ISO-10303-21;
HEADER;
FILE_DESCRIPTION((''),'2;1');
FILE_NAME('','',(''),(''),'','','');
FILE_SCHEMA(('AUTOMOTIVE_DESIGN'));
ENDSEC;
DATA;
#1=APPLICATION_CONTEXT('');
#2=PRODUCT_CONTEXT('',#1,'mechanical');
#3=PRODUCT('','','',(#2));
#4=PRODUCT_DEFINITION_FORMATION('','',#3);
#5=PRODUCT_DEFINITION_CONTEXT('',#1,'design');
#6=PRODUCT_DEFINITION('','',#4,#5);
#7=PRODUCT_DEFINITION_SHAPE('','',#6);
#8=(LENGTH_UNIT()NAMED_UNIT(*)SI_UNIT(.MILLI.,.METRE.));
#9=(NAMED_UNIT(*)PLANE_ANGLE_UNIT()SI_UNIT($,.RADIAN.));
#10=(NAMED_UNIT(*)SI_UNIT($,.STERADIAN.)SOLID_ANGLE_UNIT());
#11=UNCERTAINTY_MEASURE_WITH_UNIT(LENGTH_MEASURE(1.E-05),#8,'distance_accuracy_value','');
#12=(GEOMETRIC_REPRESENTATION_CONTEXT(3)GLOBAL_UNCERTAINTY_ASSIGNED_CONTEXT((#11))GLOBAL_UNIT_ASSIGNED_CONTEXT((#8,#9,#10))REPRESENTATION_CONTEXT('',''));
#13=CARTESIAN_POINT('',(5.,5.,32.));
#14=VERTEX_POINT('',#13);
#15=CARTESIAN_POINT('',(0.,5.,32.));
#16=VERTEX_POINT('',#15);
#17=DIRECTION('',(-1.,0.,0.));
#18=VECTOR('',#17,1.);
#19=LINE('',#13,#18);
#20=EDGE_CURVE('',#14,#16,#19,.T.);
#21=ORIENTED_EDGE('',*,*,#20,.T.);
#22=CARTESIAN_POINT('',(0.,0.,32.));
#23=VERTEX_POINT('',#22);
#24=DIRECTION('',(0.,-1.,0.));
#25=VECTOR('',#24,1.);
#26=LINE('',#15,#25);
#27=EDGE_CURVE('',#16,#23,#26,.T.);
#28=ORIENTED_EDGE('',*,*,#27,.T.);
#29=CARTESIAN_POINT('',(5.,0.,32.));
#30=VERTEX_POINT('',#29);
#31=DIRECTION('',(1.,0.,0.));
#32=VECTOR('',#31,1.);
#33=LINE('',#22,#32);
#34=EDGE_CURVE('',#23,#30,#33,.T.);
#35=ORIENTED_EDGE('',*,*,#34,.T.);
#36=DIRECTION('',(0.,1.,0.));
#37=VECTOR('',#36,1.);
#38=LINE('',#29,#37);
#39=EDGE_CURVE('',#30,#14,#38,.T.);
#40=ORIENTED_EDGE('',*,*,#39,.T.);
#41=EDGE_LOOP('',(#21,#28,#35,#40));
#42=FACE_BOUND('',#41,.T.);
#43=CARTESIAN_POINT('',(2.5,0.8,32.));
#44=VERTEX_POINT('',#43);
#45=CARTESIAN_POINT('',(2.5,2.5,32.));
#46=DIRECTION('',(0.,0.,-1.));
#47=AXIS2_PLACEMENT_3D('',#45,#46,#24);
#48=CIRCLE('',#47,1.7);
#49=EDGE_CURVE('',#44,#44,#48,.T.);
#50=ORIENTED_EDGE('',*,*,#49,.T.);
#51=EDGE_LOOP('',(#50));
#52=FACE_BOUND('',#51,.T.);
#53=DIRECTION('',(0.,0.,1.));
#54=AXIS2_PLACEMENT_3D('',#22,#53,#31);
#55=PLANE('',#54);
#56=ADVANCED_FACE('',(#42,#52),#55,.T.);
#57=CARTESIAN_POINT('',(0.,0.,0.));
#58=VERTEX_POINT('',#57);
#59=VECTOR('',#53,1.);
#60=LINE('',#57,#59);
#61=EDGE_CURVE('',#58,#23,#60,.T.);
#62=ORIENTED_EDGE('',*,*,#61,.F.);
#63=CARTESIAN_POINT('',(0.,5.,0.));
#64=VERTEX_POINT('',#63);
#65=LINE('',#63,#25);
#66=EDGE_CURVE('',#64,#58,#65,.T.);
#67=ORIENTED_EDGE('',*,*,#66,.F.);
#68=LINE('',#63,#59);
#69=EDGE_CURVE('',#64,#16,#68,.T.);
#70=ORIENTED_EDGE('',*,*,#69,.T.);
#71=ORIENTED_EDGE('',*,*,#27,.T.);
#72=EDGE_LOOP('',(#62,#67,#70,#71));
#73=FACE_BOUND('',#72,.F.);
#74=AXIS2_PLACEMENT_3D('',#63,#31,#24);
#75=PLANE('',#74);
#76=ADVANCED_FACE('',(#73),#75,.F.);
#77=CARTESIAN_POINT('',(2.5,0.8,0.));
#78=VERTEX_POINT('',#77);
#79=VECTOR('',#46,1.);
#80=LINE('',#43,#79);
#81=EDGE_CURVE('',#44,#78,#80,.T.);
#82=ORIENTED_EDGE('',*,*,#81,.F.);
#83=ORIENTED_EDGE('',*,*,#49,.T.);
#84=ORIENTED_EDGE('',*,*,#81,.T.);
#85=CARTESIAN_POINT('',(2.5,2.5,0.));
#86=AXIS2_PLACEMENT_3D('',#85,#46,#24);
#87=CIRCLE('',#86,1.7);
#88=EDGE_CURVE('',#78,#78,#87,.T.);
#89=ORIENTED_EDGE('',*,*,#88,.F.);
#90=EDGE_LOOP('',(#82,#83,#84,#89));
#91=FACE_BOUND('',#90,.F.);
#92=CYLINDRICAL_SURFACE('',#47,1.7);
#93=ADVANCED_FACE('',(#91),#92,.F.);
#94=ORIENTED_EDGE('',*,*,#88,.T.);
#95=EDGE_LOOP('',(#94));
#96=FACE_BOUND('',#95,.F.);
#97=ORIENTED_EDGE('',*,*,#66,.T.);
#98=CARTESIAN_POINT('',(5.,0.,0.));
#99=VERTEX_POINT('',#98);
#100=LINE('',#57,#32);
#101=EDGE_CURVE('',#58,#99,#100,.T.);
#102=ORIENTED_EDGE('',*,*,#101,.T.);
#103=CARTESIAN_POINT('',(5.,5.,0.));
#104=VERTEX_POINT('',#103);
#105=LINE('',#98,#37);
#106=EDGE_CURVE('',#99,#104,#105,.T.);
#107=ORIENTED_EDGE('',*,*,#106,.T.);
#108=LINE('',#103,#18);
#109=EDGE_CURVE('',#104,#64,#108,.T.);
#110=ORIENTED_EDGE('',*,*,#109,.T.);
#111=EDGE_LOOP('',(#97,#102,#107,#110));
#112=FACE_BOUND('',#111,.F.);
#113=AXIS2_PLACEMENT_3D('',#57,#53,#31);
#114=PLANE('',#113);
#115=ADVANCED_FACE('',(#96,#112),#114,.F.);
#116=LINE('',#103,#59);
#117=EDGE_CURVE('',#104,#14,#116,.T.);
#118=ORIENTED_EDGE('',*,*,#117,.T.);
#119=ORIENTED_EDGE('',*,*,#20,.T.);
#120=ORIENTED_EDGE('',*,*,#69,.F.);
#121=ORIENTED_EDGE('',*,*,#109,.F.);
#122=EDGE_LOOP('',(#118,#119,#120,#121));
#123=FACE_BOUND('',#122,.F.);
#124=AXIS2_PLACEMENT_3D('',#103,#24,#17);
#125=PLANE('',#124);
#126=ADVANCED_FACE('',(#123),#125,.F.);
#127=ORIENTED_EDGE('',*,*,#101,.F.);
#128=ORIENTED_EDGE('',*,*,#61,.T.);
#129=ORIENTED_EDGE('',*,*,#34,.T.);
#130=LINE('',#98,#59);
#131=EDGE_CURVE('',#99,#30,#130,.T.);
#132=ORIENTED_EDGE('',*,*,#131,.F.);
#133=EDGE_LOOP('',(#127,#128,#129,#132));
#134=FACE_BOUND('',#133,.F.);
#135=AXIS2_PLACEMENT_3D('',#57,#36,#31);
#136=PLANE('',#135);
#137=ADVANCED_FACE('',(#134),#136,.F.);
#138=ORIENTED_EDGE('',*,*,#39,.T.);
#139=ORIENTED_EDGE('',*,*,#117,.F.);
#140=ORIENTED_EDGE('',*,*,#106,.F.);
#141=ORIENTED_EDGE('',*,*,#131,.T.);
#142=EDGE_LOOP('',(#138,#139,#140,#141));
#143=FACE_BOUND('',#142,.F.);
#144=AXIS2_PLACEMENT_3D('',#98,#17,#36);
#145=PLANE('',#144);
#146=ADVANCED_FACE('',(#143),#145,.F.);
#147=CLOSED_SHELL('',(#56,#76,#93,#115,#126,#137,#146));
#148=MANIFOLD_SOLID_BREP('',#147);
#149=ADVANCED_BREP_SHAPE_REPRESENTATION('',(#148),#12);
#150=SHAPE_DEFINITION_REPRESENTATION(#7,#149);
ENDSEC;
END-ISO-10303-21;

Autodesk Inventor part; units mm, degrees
ref_plane "YZ Plane" through (0, 0, 0) normal (1, 0, 0) x (0, 1, 0)
ref_plane "XZ Plane" through (0, 0, 0) normal (0, 1, 0) x (-1, 0, 0)
ref_plane "XY Plane" through (0, 0, 0) normal (0, 0, 1) x (1, 0, 0)
sketch "Sketch1" plane through (0, 0, 0) normal (0, 0, 1) x (1, 0, 0)
  line L0 (0, 0) -> (5, 0)
  line L1 (5, 0) -> (5, 5)
  line L2 (5, 5) -> (0, 5)
  line L3 (0, 5) -> (0, 0)
  dimension "d0" = 5
extrude "Extrusion1" add sketch "Sketch1" along normal blind 32
sketch "Sketch2" plane through (0, 0, 32) normal (0, 0, 1) x (1, 0, 0)
  line L0 (5, 5) -> (0, 5) projected
  line L1 (5, 0) -> (5, 5) projected
  point P0 (0, 0)
  point P1 (2.5, 2.5)
  point P2 (2.5, 5)
  point P3 (5, 2.5)
  point P4 (2.5, 5)
hole "Hole1" at (2.5, 2.5, 32) direction (0, 0, -1) diameter 3.4 end through all clearance for "Flat Head Machine Screw" size "M3" standard "Ansi Metric M Profile"
properties part number "Standoff" material "Aluminum 6061"
